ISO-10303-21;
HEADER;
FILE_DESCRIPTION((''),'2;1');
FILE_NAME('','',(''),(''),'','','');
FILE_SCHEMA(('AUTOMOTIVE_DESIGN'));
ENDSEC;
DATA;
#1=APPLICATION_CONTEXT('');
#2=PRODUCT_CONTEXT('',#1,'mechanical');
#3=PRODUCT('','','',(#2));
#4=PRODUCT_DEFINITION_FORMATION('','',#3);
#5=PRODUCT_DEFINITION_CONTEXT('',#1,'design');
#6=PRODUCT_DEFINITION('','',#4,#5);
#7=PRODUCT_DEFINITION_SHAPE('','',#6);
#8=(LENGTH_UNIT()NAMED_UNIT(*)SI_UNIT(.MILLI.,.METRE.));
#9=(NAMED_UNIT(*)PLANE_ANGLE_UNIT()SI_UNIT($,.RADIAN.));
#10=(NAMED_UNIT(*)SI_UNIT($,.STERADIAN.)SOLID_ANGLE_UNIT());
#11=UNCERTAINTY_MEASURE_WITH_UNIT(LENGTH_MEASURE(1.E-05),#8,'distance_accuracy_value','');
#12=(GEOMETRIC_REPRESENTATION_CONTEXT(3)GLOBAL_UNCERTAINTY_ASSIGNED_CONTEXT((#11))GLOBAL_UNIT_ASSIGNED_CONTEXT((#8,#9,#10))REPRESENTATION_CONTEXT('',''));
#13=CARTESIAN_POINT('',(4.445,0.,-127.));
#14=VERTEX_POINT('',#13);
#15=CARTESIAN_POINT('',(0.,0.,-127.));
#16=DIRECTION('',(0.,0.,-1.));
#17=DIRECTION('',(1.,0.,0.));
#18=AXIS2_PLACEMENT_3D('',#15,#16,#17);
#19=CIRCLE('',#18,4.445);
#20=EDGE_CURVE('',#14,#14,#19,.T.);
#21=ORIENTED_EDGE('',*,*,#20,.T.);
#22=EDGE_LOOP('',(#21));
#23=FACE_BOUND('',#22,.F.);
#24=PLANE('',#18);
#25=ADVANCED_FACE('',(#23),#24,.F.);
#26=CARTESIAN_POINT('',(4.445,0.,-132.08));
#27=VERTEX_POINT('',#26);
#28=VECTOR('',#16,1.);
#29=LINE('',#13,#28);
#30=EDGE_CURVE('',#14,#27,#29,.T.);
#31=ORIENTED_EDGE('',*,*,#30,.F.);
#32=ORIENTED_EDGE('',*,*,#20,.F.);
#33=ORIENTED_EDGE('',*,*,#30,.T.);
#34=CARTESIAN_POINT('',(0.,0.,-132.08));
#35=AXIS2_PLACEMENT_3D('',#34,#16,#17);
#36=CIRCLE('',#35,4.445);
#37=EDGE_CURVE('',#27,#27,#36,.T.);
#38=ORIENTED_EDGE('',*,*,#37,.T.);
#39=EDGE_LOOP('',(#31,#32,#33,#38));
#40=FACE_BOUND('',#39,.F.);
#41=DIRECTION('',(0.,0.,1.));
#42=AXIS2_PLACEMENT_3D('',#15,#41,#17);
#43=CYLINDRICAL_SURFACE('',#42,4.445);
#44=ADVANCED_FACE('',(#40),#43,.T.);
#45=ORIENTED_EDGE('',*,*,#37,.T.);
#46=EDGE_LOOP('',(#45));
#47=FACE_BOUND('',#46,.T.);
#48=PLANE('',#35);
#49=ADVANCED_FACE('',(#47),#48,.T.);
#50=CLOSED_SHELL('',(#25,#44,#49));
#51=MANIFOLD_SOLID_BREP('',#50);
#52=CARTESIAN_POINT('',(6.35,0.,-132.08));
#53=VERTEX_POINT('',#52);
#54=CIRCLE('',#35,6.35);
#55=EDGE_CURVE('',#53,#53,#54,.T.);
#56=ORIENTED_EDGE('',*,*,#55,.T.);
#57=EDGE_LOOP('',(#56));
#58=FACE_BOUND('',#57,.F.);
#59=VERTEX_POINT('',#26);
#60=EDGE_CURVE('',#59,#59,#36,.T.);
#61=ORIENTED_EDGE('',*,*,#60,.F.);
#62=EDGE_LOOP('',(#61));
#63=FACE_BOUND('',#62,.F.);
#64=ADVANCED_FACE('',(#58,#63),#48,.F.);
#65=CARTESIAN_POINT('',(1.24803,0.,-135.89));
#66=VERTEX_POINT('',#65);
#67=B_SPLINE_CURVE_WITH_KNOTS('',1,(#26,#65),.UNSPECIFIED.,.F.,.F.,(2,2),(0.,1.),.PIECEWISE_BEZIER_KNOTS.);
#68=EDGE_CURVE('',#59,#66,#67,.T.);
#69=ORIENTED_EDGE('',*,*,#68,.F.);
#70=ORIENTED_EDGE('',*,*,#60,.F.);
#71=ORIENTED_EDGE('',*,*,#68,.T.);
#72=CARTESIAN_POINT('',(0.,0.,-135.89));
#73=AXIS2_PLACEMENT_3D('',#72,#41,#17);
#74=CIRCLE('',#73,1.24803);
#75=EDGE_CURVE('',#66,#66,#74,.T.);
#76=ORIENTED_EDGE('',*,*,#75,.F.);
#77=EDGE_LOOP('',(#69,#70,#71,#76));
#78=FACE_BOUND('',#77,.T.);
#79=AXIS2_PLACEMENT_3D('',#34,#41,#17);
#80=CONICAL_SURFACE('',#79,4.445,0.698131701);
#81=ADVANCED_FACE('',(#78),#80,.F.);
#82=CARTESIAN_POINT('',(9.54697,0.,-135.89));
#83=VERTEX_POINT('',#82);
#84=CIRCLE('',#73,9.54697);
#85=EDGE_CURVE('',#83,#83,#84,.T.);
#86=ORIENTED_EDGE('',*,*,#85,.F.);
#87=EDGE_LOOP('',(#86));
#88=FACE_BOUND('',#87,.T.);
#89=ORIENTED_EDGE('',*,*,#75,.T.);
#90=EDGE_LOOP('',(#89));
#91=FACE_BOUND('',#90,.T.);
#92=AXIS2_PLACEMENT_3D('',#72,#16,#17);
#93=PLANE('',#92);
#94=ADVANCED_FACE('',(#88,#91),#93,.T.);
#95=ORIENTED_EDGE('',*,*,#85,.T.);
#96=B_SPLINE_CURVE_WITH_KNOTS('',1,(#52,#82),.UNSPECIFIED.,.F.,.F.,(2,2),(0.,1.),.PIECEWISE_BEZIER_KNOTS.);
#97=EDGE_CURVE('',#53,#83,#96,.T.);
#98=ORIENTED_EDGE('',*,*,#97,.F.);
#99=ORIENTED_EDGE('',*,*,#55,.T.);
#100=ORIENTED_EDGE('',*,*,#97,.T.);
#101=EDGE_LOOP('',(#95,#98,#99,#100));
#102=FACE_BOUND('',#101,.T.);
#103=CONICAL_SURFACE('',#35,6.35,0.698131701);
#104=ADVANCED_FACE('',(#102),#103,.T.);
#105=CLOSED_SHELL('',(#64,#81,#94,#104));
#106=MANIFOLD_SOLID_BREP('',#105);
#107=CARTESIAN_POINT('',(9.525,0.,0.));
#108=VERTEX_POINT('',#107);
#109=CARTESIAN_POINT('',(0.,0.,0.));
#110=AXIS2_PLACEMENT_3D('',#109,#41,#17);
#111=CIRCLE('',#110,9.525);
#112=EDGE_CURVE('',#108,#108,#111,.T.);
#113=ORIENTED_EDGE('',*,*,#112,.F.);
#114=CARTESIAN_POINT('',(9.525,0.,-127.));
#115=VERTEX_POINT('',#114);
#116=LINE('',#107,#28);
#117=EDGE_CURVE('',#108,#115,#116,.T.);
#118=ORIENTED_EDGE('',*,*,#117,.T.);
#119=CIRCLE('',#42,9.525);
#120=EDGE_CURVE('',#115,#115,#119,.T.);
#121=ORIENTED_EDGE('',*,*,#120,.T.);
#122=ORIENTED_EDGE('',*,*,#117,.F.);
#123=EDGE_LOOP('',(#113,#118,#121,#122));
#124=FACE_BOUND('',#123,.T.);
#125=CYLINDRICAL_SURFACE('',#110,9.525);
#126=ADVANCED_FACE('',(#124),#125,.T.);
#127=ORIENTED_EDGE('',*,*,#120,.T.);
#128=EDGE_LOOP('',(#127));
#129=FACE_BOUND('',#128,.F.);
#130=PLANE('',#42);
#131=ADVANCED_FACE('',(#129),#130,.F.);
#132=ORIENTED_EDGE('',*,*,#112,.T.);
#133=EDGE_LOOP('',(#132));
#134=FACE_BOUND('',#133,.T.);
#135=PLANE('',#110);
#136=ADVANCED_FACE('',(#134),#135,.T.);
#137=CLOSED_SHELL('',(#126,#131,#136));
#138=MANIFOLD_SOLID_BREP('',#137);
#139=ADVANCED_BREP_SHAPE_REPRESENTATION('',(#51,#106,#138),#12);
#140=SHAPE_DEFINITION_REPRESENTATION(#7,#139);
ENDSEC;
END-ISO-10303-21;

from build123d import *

# Parameters (mm, degrees)
F0_R     = 9.525
F1_DEPTH = 127
F2_R     = 4.445
F3_DEPTH = 5.08
F4_R     = 6.35
F4_R_2   = 4.445
F5_DEPTH = 3.81
F5_TAPER = -40


with BuildPart() as f1:
    # F0 (on Top) → F1 (new body)
    with BuildSketch(Plane.XY):
        Circle(F0_R)
    extrude(amount=-F1_DEPTH)


with BuildPart() as f3:
    # F2 (on face) → F3 (new body)
    with BuildSketch(Plane(origin=(0, 0, -127), x_dir=(1, 0, 0), z_dir=(0, 0, -1))):
        Circle(F2_R)
    extrude(amount=F3_DEPTH)


with BuildPart() as f5:
    # F4 (on face) → F5 (new body)
    with BuildSketch(Plane(origin=(0, 0, -132.08), x_dir=(1, 0, 0), z_dir=(0, 0, -1))):
        Circle(F4_R)
        Circle(F4_R_2, mode=Mode.SUBTRACT)
    extrude(amount=F5_DEPTH, taper=F5_TAPER)


solid = Compound([f1.part, f3.part, f5.part])
